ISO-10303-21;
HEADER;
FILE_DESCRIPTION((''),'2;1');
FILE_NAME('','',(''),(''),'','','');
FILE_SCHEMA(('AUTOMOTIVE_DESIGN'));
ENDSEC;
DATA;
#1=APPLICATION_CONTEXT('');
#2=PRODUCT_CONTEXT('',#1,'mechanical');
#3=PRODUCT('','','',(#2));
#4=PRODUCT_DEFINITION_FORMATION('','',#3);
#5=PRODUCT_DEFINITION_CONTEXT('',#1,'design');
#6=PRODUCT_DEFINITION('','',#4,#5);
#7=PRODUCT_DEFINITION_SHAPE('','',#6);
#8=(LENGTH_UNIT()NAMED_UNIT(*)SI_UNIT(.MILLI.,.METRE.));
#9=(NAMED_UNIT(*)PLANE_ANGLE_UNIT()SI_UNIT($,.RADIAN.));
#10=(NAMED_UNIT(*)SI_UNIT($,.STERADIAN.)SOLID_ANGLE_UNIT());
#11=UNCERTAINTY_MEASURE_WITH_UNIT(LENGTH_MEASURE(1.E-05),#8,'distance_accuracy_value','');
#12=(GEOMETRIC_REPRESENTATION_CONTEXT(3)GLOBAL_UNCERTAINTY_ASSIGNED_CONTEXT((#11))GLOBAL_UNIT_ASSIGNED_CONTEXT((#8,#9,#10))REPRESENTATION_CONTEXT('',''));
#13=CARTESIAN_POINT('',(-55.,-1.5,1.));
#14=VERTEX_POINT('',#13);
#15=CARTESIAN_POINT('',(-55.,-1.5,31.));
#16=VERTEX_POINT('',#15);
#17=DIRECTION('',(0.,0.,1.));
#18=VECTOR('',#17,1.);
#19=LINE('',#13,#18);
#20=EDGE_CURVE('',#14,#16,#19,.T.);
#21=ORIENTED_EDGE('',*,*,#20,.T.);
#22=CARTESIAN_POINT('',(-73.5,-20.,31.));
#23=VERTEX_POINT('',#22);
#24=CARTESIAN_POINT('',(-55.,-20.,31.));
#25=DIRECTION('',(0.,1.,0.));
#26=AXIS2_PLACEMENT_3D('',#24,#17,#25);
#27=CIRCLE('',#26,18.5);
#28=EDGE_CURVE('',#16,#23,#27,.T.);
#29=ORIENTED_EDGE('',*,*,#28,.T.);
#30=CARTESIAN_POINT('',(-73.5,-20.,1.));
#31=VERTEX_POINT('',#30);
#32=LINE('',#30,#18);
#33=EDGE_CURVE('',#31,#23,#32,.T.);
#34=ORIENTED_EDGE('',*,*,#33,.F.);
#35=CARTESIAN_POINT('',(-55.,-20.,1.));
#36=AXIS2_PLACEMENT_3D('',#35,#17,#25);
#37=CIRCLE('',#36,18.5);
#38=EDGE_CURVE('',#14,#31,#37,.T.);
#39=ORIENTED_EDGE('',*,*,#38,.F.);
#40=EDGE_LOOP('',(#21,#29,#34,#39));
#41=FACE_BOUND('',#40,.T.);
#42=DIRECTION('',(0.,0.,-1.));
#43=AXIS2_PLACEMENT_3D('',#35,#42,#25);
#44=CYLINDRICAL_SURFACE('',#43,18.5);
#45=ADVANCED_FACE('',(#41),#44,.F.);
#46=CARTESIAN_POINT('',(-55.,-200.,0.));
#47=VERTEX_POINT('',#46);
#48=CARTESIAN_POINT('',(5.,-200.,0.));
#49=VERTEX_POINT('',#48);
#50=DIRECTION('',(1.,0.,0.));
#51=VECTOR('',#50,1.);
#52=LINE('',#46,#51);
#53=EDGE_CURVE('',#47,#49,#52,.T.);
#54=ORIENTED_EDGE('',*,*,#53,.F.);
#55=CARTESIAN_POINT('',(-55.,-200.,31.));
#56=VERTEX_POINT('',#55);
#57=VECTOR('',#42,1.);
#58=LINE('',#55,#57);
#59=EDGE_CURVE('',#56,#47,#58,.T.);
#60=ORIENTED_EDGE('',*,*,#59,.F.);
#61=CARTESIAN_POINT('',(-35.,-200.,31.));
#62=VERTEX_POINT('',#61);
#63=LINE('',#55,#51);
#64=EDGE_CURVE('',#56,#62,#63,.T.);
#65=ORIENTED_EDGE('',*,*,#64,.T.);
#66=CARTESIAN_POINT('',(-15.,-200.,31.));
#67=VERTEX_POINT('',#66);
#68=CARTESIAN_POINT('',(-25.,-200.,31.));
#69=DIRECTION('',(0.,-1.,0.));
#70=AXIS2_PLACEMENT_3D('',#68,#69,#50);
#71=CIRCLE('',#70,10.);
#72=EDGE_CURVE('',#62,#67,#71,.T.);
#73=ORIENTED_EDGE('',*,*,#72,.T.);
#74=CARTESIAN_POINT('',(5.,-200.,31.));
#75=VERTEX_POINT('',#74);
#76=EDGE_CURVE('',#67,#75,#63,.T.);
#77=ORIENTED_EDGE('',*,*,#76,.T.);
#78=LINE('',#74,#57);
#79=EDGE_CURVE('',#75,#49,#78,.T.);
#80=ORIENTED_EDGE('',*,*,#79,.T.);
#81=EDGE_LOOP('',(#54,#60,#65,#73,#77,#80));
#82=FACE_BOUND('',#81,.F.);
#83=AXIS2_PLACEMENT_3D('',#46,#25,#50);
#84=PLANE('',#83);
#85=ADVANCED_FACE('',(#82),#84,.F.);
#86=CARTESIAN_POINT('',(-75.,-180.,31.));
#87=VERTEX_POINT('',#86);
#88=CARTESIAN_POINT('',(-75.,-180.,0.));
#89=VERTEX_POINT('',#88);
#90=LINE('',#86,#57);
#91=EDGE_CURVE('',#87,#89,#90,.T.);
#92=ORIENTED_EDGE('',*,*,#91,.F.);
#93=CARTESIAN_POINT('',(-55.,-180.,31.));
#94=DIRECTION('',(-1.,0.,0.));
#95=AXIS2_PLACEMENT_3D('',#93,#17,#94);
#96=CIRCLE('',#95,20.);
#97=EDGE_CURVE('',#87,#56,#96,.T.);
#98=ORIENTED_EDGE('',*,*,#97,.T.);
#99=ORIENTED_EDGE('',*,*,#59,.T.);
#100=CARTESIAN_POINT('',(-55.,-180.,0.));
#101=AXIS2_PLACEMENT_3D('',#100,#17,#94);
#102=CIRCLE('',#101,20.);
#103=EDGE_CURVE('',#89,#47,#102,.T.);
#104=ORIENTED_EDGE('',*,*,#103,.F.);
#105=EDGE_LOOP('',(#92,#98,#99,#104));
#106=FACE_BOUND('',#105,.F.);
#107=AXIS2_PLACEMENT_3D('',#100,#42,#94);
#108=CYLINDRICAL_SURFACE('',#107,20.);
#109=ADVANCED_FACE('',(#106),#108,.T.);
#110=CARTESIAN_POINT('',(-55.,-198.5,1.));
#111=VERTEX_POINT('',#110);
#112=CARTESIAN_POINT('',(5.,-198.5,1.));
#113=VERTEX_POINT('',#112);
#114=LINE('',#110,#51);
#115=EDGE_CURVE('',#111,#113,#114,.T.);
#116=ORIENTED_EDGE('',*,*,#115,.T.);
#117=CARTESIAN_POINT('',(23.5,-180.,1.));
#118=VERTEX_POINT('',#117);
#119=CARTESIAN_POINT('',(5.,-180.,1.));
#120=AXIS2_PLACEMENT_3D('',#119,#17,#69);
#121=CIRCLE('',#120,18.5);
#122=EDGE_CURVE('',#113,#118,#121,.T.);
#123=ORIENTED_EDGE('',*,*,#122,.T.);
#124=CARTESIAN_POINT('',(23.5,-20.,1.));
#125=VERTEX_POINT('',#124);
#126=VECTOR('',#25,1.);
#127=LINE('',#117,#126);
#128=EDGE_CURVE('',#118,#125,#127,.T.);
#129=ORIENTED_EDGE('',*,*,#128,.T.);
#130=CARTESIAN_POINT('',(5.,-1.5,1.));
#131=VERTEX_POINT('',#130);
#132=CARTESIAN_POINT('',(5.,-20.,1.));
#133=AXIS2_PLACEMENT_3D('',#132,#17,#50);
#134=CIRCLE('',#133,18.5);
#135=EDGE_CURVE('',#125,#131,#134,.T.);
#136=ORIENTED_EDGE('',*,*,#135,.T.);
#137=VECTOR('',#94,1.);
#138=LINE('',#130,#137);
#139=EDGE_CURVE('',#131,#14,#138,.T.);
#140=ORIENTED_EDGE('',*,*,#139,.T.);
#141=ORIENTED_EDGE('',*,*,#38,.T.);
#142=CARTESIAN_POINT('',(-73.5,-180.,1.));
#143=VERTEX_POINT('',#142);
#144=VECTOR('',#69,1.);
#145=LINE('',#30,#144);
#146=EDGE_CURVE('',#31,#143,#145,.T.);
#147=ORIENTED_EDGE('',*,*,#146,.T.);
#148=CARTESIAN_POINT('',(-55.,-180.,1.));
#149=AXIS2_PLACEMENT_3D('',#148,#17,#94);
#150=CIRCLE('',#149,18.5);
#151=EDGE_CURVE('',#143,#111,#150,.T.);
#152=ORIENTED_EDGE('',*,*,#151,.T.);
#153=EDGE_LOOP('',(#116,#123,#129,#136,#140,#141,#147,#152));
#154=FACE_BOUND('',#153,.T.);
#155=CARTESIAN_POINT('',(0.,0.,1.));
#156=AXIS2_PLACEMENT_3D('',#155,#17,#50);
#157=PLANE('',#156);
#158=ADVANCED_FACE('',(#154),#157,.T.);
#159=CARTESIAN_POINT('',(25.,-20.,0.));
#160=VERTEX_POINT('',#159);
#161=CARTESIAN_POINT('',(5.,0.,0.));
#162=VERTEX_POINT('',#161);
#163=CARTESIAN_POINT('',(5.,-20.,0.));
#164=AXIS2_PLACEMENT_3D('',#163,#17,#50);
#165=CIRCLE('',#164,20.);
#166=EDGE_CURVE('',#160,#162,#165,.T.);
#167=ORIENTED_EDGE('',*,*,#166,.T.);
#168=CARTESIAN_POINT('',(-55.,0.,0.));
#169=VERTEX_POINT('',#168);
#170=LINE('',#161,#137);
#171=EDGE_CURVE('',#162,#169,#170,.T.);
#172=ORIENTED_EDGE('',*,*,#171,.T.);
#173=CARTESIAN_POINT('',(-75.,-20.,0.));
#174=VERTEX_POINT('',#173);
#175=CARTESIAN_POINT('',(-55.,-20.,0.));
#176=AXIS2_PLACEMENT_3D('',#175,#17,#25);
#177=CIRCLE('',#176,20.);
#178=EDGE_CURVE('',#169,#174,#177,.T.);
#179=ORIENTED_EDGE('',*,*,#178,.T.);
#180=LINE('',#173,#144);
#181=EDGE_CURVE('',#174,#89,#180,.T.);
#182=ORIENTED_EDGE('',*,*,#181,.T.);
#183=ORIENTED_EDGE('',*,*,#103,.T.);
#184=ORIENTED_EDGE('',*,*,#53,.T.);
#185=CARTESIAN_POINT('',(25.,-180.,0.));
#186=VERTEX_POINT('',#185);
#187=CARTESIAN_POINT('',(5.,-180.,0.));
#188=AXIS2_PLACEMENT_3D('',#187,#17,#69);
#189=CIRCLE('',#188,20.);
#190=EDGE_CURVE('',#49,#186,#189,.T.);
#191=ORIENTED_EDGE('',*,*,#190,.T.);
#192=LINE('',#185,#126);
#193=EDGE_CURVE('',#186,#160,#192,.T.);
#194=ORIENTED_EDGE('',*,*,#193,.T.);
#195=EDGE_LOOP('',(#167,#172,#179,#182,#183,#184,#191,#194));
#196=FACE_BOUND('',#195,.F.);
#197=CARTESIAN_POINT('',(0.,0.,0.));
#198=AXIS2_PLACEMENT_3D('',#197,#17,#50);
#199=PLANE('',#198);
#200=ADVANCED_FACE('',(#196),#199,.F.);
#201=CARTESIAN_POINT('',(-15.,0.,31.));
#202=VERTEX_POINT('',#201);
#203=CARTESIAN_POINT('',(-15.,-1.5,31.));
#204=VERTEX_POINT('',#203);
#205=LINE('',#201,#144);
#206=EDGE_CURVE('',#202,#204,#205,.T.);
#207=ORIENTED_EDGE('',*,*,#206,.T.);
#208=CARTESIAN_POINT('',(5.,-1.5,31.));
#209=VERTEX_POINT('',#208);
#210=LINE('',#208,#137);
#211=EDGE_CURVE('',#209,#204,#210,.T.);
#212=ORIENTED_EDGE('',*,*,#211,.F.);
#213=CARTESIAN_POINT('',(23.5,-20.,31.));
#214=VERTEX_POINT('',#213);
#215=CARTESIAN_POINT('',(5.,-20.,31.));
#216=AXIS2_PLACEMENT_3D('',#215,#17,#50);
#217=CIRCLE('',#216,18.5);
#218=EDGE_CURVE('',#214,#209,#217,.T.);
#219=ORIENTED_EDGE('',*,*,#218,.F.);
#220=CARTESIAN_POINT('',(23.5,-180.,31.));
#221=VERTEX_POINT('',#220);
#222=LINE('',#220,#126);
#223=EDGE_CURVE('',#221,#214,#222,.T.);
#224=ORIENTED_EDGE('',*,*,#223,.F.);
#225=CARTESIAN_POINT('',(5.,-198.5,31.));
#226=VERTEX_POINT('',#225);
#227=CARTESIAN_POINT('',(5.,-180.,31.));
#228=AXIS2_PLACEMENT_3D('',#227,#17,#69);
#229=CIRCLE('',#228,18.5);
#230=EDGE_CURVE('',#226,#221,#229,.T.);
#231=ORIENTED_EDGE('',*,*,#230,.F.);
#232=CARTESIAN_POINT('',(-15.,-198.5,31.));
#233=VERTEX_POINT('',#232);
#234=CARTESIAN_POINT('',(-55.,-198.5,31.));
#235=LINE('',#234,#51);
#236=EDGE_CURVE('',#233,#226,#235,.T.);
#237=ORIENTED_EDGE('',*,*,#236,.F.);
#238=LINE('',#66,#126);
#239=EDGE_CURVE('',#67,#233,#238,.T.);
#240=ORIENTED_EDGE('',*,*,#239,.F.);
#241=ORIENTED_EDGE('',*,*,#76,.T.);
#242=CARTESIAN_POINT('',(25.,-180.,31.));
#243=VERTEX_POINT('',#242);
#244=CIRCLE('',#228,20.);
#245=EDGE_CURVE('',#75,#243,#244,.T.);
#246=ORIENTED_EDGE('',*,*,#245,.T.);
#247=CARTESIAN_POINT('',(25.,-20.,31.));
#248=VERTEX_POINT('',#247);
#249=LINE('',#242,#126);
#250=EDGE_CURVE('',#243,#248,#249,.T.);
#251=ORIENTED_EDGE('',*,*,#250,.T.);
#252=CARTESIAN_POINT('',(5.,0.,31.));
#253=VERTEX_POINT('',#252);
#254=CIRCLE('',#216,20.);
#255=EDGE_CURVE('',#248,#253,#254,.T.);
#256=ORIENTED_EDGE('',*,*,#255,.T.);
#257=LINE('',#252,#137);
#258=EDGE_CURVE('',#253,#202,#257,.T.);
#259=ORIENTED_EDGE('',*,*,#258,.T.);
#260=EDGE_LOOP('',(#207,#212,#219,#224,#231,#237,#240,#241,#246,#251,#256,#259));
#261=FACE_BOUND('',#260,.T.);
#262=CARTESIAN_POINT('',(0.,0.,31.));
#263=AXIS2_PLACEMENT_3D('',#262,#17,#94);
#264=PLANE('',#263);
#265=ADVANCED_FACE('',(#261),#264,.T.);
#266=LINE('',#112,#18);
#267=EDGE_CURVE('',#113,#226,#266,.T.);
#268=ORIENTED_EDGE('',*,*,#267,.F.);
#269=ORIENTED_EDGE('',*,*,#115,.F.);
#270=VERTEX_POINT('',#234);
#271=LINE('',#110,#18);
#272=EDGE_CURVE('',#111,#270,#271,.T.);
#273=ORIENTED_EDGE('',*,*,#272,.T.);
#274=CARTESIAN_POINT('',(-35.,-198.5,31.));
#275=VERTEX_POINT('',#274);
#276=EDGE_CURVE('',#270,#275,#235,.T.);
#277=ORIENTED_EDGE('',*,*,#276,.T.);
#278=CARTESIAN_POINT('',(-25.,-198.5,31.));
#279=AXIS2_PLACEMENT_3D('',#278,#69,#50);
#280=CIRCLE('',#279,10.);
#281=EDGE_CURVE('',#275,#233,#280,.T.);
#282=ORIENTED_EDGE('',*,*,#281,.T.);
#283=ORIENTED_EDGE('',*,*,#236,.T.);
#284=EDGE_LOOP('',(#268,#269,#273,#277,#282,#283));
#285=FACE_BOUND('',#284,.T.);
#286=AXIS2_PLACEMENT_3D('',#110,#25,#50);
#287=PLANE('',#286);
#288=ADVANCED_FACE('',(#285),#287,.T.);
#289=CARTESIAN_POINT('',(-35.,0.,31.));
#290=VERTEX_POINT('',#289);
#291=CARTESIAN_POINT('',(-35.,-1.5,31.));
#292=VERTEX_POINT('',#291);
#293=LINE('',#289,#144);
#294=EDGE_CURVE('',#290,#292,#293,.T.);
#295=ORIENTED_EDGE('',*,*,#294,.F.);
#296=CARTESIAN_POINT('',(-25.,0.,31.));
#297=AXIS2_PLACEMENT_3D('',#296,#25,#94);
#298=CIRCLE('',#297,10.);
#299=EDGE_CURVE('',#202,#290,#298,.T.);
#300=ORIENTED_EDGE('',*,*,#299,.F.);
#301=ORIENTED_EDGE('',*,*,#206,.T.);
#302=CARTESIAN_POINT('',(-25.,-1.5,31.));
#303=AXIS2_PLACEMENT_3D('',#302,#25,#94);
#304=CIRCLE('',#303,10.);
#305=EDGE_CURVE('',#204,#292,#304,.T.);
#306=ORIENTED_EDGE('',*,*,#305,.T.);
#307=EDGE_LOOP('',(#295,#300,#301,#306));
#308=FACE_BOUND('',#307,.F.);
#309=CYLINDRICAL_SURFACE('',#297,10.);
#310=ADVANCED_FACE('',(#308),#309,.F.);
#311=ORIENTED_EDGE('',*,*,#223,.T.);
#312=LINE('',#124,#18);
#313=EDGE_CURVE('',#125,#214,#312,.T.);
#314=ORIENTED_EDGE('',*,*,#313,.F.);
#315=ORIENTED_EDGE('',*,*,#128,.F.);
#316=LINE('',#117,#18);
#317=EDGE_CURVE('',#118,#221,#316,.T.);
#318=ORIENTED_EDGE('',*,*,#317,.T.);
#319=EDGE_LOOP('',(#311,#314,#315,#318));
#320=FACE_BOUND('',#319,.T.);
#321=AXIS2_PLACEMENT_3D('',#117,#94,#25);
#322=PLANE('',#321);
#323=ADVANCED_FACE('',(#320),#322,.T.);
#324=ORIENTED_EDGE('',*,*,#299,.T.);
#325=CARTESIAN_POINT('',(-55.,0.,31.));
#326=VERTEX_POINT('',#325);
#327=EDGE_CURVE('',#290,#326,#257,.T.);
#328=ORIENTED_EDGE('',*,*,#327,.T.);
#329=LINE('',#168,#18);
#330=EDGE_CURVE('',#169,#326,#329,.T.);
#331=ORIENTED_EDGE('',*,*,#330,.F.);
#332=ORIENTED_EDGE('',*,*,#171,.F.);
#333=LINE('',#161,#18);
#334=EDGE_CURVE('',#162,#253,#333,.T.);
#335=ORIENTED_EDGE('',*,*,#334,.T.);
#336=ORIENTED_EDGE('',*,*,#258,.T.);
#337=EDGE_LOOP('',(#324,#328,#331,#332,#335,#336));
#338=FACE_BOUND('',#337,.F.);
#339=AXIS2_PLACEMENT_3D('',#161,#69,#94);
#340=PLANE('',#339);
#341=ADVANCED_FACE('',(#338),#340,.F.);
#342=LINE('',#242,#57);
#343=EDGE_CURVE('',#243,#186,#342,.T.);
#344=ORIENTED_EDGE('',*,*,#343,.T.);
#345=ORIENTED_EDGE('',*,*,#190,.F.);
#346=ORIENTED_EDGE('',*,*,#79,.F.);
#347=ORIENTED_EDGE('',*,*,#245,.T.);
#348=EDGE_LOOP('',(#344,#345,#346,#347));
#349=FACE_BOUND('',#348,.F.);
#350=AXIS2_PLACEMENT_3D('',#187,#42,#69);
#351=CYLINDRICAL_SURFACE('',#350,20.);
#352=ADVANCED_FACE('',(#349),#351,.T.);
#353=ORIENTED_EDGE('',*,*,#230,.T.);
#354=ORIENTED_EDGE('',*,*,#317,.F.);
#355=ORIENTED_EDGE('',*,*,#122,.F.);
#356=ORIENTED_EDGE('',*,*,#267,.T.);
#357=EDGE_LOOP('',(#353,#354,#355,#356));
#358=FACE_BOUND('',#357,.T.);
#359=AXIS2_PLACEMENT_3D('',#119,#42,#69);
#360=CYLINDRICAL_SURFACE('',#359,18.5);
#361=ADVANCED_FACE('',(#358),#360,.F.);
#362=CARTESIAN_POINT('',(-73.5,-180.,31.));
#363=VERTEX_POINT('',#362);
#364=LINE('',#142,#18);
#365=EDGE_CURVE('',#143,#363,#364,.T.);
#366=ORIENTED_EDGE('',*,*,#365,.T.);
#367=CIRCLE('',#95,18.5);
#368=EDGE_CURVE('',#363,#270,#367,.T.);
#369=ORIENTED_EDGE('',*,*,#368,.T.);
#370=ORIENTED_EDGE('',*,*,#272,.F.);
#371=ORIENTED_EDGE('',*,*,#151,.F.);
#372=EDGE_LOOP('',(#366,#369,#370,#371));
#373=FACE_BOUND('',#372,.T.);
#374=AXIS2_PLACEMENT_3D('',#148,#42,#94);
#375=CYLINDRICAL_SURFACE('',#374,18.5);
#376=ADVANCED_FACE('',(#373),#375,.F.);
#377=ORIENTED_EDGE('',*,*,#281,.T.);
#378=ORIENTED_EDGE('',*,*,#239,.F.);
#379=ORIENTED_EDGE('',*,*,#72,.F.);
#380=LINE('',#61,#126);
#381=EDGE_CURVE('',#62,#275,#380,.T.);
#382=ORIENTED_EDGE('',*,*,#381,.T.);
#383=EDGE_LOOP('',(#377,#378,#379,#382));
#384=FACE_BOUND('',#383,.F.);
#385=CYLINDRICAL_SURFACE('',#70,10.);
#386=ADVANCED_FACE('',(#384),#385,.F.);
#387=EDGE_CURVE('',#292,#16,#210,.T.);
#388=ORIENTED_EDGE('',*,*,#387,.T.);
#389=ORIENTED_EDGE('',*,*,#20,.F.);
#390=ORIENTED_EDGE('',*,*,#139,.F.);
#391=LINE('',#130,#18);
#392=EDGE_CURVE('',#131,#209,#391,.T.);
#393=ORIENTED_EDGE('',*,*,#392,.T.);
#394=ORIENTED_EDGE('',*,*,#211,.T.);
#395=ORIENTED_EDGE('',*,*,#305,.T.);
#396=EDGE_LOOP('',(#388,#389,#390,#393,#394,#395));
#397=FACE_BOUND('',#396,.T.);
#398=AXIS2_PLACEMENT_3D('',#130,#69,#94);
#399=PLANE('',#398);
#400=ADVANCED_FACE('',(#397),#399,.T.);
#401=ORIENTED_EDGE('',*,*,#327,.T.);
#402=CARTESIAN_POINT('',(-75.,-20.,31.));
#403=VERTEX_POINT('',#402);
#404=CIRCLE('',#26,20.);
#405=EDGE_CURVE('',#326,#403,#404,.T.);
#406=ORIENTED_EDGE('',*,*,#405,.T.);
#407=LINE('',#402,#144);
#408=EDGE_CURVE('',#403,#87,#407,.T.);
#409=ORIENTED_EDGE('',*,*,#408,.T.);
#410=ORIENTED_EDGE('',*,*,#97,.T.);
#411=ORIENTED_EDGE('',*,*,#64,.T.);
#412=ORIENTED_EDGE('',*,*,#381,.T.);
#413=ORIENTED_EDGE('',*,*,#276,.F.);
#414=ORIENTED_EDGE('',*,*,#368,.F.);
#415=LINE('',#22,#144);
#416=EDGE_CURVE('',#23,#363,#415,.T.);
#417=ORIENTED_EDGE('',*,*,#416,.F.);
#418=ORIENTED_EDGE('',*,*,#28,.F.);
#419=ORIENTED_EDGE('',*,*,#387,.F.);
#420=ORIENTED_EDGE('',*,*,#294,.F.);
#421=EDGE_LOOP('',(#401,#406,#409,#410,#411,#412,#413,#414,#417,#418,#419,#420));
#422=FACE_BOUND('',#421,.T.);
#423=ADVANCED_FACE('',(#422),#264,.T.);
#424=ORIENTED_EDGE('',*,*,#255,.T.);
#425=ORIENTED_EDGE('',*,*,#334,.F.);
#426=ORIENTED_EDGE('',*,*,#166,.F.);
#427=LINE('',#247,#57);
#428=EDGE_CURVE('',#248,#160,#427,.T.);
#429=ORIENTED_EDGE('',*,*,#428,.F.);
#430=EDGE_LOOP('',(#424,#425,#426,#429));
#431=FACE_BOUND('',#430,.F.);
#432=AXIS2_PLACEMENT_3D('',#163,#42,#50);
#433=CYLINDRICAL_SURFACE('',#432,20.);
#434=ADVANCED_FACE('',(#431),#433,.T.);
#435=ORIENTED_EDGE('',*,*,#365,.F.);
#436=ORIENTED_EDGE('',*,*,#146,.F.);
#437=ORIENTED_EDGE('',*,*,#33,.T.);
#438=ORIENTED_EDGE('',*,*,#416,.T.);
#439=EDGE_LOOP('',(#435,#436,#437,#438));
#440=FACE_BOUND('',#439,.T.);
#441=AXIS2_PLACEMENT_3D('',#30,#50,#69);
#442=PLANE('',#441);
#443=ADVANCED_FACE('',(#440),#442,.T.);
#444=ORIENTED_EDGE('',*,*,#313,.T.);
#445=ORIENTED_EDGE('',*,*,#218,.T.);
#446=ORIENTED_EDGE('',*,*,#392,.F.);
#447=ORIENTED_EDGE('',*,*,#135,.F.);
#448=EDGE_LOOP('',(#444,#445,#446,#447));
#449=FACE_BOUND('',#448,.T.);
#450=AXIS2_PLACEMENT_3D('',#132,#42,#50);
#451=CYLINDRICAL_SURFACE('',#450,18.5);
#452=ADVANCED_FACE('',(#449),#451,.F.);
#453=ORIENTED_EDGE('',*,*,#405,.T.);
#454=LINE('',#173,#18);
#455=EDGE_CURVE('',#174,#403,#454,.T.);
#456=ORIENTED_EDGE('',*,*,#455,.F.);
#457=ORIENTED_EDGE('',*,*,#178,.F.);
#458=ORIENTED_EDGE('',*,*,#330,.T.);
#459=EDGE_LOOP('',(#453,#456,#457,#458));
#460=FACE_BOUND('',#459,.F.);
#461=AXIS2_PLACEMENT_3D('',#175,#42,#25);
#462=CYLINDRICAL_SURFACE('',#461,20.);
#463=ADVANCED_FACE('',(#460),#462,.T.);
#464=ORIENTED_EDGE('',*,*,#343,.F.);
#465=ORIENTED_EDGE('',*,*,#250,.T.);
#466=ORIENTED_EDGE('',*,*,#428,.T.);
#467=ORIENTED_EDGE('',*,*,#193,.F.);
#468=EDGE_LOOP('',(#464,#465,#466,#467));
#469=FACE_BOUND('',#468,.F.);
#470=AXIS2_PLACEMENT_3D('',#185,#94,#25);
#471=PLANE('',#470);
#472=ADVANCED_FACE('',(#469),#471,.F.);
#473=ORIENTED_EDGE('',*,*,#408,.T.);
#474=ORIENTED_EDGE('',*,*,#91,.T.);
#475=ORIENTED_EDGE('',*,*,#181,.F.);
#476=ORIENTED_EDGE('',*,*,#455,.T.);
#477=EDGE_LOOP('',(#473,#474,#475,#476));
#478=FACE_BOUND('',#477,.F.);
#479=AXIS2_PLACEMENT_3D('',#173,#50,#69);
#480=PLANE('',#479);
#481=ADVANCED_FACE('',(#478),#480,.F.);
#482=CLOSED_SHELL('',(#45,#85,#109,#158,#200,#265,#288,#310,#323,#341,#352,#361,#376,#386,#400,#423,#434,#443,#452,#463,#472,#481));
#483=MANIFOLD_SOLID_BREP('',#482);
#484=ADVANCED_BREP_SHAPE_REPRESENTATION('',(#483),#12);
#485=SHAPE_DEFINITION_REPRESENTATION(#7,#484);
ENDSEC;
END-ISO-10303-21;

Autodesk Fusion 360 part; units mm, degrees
sketch "Sketch1" plane through (0, 0, 0) normal (0, 0, 1) x (1, 0, 0)
  line L0 (5, 0) -> (-55, 0)
  line L1 (-75, -20) -> (-75, -180)
  line L2 (-55, -200) -> (5, -200)
  line L3 (25, -180) -> (25, -20)
  arc A0 (25, -20) -> (5, 0) centre (5, -20) ccw
  arc A1 (-55, 0) -> (-75, -20) centre (-55, -20) ccw
  arc A2 (5, -200) -> (25, -180) centre (5, -180) ccw
  arc A3 (-75, -180) -> (-55, -200) centre (-55, -180) ccw
  dimension "d1" = 200
  dimension "d2" = 100
  dimension "d3" = 20
extrude "Extrude1" add sketch "Sketch1" along normal blind 1
sketch "Sketch2" plane through (0, 0, 1) normal (0, 0, 1) x (-1, 0, 0)
  arc A0 (75, 180) -> (55, 200) centre (55, 180) ccw
  line L0 (55, 200) -> (-5, 200)
  arc A1 (-5, 200) -> (-25, 180) centre (-5, 180) ccw
  line L1 (-25, 180) -> (-25, 20)
  arc A2 (-25, 20) -> (-5, 0) centre (-5, 20) ccw
  line L2 (-5, 0) -> (55, 0)
  arc A3 (55, 0) -> (75, 20) centre (55, 20) ccw
  line L3 (75, 20) -> (75, 180)
  line L4 (-5, 1.5) -> (55, 1.5)
  arc A4 (55, 1.5) -> (73.5, 20) centre (55, 20) ccw
  line L5 (73.5, 20) -> (73.5, 180)
  arc A5 (73.5, 180) -> (55, 198.5) centre (55, 180) ccw
  line L6 (55, 198.5) -> (-5, 198.5)
  arc A6 (-5, 198.5) -> (-23.5, 180) centre (-5, 180) ccw
  line L7 (-23.5, 180) -> (-23.5, 20)
  arc A7 (-23.5, 20) -> (-5, 1.5) centre (-5, 20) ccw
  dimension "d6" = -1.5
extrude "Extrude2" add sketch "Sketch2" along normal blind 30
sketch "Sketch3" plane through (0, 0, 0) normal (0, 1, 0) x (-1, 0, 0)
  line L0 (-5, 0) -> (55, 0)
  line L1 (55, 0) -> (55, 31)
  line L2 (55, 31) -> (-5, 31)
  line L3 (-5, 31) -> (-5, 0)
  circle A0 centre (25, 31) radius 10
  dimension "d9" = 20
extrude "Extrude3" cut sketch "Sketch3" against normal blind 10 contours L2 A0 picked at (23.7822, 27.8971)
sketch "Sketch4" plane through (0, -200, 0) normal (0, -1, 0) x (1, 0, 0)
  line L0 (-55, 0) -> (5, 0)
  line L1 (5, 0) -> (5, 31)
  line L2 (5, 31) -> (-55, 31)
  line L3 (-55, 31) -> (-55, 0)
  circle A0 centre (-25, 31) radius 10
  dimension "d12" = 20
extrude "Extrude4" cut sketch "Sketch4" against normal blind 10 contours L2 A0 picked at (-26.2178, 27.8971)
